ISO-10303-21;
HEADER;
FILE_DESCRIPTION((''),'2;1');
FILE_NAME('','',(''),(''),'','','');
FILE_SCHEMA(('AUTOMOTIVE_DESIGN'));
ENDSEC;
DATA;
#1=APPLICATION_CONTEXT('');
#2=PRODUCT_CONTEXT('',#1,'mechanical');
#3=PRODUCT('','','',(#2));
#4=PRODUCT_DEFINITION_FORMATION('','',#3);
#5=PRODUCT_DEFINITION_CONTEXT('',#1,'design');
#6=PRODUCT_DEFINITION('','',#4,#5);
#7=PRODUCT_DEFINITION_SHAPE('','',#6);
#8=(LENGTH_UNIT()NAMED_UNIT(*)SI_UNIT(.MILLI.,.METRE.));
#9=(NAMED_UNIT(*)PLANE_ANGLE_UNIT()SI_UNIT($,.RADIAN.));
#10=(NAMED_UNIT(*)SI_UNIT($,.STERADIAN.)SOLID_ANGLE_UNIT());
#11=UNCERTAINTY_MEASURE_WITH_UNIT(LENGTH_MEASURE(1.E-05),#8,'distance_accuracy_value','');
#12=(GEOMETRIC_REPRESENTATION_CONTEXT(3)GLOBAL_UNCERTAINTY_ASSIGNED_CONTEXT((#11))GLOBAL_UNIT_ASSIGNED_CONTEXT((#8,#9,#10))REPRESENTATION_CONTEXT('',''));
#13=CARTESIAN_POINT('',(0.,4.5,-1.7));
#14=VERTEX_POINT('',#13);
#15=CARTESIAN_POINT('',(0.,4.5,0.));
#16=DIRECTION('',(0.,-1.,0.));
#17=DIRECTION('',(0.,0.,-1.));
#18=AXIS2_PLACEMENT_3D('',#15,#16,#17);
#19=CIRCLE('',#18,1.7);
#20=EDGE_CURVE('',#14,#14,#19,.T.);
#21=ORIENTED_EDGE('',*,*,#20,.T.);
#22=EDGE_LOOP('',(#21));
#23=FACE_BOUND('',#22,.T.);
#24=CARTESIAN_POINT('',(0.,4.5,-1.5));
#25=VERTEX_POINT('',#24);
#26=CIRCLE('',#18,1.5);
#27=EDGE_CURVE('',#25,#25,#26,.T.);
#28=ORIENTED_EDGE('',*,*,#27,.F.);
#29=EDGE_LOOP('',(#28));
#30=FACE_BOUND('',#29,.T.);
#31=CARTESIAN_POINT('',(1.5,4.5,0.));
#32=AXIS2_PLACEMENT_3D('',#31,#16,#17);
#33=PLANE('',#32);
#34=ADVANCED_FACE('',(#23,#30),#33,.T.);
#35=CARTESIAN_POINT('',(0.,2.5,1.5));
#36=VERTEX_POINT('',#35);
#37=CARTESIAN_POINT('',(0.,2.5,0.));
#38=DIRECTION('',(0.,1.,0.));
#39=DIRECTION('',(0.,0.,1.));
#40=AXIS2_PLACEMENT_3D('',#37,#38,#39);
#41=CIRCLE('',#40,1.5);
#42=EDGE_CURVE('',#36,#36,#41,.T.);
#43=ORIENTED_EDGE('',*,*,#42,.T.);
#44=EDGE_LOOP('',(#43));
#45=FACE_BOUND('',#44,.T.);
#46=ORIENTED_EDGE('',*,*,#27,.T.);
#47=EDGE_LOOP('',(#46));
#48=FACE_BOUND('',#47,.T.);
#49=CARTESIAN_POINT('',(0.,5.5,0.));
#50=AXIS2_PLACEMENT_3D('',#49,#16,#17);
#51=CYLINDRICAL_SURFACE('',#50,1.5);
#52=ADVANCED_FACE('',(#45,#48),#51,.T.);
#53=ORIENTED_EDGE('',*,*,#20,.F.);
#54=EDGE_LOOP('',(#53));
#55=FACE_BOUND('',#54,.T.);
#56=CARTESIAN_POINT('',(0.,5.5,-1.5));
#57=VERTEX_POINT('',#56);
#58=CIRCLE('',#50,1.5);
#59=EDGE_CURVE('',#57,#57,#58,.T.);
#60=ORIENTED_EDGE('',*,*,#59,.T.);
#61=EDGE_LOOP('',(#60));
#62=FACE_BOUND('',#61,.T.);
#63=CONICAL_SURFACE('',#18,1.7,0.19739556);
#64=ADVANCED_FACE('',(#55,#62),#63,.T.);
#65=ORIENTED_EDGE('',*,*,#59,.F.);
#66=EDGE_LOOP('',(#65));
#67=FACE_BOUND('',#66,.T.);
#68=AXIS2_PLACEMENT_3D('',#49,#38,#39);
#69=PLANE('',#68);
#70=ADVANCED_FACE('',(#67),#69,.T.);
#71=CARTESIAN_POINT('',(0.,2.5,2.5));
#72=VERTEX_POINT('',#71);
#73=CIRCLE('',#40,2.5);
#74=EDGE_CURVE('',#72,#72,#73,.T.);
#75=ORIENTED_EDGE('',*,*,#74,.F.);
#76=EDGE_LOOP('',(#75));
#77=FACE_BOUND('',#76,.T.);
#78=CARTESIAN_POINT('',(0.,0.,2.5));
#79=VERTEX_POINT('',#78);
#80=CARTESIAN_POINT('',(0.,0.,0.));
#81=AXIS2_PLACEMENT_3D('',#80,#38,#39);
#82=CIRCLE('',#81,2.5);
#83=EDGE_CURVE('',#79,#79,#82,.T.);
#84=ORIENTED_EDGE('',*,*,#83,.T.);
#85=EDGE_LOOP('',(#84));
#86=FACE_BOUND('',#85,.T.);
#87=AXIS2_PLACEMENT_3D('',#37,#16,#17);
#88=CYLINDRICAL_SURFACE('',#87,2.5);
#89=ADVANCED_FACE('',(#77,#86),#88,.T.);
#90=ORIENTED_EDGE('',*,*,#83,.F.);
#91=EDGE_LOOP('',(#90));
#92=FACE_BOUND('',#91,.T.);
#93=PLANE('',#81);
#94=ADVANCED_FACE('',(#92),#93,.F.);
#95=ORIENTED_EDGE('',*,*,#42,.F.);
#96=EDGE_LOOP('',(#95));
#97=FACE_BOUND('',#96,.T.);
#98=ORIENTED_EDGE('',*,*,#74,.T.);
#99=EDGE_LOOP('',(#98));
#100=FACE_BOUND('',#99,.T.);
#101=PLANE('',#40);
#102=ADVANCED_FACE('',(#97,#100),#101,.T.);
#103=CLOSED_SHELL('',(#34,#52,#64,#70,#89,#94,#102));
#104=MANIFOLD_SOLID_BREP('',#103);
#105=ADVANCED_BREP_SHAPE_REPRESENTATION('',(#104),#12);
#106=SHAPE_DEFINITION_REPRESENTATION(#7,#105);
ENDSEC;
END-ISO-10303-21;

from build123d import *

# Parameters (mm, degrees)
SKETCH1_R           = 2.5
BOSS_EXTRUDE1_DEPTH = 2.5
SKETCH2_R           = 1.5
BOSS_EXTRUDE2_DEPTH = 3


with BuildPart() as part:
    # Sketch1 → Boss-Extrude1 (new body)
    with BuildSketch(Plane(origin=(0, 0, 0), x_dir=(1, 0, 0), z_dir=(0, 1, 0))):
        with Locations(Location((0, 0, 0), (0, 0, 270))):
            Circle(SKETCH1_R)
    extrude(amount=BOSS_EXTRUDE1_DEPTH)

    # Sketch2 → Boss-Extrude2 (add)
    with BuildSketch(Plane(origin=(0, 2.5, 0), x_dir=(1, 0, 0), z_dir=(0, 1, 0))):
        with Locations(Location((0, 0, 0), (0, 0, 270))):
            Circle(SKETCH2_R)
    extrude(amount=BOSS_EXTRUDE2_DEPTH)

    # Sketch3 → Revolve1 (revolve)
    with BuildSketch(Plane.XY, mode=Mode.PRIVATE) as revolve1_sk:
        Polygon((1.5, 5.5), (1.5, 4.5), (1.7, 4.5), align=None)
    revolve(revolve1_sk.sketch.rotate(Axis((0, 0, 0), (0, 1, 0)), 90), axis=Axis((0, 0, 0), (0, 1, 0)))


solid = part.part
